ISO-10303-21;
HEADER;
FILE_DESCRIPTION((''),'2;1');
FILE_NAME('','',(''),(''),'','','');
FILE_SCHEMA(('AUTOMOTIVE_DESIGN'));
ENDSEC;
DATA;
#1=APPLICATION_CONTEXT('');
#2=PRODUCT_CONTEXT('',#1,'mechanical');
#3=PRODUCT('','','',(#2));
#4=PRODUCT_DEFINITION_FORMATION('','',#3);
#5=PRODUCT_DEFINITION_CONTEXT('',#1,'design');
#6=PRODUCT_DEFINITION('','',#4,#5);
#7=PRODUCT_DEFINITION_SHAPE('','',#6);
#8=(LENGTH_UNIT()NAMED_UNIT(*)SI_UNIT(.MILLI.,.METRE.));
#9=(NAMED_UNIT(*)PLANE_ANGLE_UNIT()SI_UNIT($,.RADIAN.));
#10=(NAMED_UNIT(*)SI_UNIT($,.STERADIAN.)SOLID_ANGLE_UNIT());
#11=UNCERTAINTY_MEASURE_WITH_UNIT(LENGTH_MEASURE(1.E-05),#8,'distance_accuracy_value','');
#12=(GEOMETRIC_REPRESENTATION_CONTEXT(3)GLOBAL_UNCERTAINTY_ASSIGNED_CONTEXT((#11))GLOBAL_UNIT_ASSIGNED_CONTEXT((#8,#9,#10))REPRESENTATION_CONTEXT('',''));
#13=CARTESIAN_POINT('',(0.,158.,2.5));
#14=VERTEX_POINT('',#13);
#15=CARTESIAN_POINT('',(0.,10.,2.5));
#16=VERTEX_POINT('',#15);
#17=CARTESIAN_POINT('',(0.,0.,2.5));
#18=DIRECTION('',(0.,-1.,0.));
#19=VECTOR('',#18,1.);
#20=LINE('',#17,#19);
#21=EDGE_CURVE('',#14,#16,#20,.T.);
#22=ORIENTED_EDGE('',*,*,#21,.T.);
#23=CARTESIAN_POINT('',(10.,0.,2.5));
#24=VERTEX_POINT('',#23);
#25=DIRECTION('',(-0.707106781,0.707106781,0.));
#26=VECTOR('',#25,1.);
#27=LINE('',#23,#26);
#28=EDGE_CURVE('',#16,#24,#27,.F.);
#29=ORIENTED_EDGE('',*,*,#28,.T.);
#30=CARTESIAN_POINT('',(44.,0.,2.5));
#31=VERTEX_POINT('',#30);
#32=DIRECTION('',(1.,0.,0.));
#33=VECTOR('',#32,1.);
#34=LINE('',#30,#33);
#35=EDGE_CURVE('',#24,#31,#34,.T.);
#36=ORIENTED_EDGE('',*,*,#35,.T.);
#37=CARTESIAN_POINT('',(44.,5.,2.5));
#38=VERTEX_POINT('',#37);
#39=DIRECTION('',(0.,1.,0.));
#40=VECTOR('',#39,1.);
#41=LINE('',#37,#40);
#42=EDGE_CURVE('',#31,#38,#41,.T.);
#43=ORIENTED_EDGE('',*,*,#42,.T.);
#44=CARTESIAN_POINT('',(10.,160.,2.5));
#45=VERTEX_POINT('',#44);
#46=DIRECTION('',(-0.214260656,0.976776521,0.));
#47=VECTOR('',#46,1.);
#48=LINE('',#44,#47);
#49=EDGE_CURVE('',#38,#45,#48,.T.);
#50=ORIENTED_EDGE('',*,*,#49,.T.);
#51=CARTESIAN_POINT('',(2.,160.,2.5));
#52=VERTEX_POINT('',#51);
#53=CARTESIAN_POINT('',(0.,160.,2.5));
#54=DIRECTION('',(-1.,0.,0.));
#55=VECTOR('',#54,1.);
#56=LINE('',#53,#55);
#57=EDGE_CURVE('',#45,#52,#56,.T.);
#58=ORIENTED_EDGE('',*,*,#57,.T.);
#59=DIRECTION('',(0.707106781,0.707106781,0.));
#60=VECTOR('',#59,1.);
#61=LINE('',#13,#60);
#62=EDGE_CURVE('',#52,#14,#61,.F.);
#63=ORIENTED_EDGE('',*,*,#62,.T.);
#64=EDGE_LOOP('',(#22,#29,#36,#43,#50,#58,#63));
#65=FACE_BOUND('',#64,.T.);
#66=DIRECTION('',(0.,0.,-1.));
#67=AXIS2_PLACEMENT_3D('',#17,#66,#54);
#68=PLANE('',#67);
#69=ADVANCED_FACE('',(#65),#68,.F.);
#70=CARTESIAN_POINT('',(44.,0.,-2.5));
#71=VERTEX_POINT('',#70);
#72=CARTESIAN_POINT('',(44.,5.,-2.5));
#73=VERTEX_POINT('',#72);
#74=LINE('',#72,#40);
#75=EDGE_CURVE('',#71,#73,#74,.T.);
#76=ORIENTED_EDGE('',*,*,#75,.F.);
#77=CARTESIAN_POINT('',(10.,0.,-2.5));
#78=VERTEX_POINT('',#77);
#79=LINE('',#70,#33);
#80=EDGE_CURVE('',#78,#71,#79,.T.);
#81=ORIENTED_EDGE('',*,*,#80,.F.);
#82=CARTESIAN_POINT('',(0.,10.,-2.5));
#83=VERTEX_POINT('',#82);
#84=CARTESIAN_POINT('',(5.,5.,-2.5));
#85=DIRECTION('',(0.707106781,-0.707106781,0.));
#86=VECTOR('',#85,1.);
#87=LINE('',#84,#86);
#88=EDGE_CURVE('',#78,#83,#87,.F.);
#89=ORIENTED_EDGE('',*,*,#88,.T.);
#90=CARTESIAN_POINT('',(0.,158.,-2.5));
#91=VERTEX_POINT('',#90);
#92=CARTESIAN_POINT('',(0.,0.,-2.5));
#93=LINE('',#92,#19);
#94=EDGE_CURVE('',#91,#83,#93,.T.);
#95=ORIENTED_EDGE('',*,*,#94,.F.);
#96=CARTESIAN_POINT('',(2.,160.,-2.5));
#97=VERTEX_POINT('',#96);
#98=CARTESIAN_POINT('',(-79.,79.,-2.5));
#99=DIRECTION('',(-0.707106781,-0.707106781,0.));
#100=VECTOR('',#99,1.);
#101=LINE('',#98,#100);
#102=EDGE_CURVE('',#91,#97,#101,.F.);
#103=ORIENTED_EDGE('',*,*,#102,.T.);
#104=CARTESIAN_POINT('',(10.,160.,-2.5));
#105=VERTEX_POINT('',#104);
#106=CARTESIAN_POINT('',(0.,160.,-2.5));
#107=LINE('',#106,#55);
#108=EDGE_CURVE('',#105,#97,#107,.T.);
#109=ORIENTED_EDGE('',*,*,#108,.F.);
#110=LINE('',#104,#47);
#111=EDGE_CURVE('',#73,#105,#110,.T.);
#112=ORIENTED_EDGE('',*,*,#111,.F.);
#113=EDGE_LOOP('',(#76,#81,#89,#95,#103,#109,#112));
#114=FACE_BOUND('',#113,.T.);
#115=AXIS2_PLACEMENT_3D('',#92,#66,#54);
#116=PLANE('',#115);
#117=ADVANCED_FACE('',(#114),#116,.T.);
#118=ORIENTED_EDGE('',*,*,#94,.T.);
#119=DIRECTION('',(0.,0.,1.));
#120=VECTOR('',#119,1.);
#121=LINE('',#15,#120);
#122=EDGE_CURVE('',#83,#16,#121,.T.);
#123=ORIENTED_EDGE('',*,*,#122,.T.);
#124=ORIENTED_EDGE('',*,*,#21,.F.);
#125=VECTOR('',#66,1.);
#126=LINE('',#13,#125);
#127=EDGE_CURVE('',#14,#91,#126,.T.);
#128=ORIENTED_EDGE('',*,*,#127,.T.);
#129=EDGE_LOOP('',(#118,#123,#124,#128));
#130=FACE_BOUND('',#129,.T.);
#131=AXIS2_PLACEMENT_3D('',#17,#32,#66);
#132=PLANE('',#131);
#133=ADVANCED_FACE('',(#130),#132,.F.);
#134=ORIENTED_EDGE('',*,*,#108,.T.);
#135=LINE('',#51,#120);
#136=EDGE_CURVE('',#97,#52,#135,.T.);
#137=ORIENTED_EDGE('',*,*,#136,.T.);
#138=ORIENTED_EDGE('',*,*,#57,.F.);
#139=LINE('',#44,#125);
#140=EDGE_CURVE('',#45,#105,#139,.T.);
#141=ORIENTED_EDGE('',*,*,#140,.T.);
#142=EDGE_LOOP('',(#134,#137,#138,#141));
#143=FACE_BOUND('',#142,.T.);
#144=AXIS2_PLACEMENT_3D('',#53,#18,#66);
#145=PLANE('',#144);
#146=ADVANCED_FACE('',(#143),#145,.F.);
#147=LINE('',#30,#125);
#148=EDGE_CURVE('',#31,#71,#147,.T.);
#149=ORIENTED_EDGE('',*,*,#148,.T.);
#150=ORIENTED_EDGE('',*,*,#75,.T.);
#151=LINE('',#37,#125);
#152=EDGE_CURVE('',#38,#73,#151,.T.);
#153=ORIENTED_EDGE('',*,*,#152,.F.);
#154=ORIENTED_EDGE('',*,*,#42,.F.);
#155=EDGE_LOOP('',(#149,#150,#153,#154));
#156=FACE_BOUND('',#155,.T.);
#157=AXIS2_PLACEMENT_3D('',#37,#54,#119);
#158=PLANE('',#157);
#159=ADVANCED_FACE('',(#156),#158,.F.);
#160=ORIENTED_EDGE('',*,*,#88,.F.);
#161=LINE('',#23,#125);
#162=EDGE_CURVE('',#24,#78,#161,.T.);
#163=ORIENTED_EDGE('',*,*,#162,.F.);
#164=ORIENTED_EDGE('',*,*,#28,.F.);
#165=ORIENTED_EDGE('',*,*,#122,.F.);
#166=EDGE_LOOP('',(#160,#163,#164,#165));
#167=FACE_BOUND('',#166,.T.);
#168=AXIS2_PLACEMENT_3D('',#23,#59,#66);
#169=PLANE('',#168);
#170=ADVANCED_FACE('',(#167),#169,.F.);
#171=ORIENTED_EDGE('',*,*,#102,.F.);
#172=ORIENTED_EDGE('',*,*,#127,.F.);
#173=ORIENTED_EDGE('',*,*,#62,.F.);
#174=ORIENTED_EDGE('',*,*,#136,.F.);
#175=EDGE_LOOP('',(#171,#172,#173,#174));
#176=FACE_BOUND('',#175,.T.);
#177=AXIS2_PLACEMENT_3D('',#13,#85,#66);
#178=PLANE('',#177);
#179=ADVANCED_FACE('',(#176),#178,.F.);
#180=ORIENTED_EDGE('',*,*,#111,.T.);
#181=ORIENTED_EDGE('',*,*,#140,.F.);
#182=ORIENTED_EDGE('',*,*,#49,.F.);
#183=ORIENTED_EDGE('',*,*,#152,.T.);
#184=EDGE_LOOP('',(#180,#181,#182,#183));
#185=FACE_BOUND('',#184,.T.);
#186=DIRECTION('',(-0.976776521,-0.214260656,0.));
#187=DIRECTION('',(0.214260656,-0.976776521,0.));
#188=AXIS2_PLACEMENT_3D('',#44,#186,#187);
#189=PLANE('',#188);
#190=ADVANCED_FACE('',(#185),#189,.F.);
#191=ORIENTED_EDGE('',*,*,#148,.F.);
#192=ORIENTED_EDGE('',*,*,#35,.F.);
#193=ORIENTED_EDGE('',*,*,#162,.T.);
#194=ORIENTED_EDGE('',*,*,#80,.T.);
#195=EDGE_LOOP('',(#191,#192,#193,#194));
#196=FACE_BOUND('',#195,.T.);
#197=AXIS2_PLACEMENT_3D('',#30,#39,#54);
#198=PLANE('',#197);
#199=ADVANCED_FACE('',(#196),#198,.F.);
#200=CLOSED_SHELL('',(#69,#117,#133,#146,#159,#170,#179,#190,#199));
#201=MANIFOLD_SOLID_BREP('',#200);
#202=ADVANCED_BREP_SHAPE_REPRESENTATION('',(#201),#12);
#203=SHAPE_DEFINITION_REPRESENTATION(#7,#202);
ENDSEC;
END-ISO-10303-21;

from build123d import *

# Parameters (mm, degrees)
EXTRUDE_1_DEPTH = 2.5
CHAMFER_1_SIZE  = 10
CHAMFER_2_SIZE  = 2


with BuildPart() as part:
    # Эскиз1 → Бобышка-Вытянуть1 (new, symmetric)
    with BuildSketch(Plane.XY):
        Polygon((0, 0), (0, 160), (10, 160), (44, 5), (44, 0), align=None)
    extrude(amount=EXTRUDE_1_DEPTH, both=True)

    # Фаска1
    chamfer_1_edges = [part.edges().sort_by_distance(p)[0] for p in [
        (0, 0, 0),
    ]]
    chamfer(chamfer_1_edges, length=CHAMFER_1_SIZE)

    # Фаска2
    chamfer_2_edges = [part.edges().sort_by_distance(p)[0] for p in [
        (0, 160, 0),
    ]]
    chamfer(chamfer_2_edges, length=CHAMFER_2_SIZE)


solid = part.part
